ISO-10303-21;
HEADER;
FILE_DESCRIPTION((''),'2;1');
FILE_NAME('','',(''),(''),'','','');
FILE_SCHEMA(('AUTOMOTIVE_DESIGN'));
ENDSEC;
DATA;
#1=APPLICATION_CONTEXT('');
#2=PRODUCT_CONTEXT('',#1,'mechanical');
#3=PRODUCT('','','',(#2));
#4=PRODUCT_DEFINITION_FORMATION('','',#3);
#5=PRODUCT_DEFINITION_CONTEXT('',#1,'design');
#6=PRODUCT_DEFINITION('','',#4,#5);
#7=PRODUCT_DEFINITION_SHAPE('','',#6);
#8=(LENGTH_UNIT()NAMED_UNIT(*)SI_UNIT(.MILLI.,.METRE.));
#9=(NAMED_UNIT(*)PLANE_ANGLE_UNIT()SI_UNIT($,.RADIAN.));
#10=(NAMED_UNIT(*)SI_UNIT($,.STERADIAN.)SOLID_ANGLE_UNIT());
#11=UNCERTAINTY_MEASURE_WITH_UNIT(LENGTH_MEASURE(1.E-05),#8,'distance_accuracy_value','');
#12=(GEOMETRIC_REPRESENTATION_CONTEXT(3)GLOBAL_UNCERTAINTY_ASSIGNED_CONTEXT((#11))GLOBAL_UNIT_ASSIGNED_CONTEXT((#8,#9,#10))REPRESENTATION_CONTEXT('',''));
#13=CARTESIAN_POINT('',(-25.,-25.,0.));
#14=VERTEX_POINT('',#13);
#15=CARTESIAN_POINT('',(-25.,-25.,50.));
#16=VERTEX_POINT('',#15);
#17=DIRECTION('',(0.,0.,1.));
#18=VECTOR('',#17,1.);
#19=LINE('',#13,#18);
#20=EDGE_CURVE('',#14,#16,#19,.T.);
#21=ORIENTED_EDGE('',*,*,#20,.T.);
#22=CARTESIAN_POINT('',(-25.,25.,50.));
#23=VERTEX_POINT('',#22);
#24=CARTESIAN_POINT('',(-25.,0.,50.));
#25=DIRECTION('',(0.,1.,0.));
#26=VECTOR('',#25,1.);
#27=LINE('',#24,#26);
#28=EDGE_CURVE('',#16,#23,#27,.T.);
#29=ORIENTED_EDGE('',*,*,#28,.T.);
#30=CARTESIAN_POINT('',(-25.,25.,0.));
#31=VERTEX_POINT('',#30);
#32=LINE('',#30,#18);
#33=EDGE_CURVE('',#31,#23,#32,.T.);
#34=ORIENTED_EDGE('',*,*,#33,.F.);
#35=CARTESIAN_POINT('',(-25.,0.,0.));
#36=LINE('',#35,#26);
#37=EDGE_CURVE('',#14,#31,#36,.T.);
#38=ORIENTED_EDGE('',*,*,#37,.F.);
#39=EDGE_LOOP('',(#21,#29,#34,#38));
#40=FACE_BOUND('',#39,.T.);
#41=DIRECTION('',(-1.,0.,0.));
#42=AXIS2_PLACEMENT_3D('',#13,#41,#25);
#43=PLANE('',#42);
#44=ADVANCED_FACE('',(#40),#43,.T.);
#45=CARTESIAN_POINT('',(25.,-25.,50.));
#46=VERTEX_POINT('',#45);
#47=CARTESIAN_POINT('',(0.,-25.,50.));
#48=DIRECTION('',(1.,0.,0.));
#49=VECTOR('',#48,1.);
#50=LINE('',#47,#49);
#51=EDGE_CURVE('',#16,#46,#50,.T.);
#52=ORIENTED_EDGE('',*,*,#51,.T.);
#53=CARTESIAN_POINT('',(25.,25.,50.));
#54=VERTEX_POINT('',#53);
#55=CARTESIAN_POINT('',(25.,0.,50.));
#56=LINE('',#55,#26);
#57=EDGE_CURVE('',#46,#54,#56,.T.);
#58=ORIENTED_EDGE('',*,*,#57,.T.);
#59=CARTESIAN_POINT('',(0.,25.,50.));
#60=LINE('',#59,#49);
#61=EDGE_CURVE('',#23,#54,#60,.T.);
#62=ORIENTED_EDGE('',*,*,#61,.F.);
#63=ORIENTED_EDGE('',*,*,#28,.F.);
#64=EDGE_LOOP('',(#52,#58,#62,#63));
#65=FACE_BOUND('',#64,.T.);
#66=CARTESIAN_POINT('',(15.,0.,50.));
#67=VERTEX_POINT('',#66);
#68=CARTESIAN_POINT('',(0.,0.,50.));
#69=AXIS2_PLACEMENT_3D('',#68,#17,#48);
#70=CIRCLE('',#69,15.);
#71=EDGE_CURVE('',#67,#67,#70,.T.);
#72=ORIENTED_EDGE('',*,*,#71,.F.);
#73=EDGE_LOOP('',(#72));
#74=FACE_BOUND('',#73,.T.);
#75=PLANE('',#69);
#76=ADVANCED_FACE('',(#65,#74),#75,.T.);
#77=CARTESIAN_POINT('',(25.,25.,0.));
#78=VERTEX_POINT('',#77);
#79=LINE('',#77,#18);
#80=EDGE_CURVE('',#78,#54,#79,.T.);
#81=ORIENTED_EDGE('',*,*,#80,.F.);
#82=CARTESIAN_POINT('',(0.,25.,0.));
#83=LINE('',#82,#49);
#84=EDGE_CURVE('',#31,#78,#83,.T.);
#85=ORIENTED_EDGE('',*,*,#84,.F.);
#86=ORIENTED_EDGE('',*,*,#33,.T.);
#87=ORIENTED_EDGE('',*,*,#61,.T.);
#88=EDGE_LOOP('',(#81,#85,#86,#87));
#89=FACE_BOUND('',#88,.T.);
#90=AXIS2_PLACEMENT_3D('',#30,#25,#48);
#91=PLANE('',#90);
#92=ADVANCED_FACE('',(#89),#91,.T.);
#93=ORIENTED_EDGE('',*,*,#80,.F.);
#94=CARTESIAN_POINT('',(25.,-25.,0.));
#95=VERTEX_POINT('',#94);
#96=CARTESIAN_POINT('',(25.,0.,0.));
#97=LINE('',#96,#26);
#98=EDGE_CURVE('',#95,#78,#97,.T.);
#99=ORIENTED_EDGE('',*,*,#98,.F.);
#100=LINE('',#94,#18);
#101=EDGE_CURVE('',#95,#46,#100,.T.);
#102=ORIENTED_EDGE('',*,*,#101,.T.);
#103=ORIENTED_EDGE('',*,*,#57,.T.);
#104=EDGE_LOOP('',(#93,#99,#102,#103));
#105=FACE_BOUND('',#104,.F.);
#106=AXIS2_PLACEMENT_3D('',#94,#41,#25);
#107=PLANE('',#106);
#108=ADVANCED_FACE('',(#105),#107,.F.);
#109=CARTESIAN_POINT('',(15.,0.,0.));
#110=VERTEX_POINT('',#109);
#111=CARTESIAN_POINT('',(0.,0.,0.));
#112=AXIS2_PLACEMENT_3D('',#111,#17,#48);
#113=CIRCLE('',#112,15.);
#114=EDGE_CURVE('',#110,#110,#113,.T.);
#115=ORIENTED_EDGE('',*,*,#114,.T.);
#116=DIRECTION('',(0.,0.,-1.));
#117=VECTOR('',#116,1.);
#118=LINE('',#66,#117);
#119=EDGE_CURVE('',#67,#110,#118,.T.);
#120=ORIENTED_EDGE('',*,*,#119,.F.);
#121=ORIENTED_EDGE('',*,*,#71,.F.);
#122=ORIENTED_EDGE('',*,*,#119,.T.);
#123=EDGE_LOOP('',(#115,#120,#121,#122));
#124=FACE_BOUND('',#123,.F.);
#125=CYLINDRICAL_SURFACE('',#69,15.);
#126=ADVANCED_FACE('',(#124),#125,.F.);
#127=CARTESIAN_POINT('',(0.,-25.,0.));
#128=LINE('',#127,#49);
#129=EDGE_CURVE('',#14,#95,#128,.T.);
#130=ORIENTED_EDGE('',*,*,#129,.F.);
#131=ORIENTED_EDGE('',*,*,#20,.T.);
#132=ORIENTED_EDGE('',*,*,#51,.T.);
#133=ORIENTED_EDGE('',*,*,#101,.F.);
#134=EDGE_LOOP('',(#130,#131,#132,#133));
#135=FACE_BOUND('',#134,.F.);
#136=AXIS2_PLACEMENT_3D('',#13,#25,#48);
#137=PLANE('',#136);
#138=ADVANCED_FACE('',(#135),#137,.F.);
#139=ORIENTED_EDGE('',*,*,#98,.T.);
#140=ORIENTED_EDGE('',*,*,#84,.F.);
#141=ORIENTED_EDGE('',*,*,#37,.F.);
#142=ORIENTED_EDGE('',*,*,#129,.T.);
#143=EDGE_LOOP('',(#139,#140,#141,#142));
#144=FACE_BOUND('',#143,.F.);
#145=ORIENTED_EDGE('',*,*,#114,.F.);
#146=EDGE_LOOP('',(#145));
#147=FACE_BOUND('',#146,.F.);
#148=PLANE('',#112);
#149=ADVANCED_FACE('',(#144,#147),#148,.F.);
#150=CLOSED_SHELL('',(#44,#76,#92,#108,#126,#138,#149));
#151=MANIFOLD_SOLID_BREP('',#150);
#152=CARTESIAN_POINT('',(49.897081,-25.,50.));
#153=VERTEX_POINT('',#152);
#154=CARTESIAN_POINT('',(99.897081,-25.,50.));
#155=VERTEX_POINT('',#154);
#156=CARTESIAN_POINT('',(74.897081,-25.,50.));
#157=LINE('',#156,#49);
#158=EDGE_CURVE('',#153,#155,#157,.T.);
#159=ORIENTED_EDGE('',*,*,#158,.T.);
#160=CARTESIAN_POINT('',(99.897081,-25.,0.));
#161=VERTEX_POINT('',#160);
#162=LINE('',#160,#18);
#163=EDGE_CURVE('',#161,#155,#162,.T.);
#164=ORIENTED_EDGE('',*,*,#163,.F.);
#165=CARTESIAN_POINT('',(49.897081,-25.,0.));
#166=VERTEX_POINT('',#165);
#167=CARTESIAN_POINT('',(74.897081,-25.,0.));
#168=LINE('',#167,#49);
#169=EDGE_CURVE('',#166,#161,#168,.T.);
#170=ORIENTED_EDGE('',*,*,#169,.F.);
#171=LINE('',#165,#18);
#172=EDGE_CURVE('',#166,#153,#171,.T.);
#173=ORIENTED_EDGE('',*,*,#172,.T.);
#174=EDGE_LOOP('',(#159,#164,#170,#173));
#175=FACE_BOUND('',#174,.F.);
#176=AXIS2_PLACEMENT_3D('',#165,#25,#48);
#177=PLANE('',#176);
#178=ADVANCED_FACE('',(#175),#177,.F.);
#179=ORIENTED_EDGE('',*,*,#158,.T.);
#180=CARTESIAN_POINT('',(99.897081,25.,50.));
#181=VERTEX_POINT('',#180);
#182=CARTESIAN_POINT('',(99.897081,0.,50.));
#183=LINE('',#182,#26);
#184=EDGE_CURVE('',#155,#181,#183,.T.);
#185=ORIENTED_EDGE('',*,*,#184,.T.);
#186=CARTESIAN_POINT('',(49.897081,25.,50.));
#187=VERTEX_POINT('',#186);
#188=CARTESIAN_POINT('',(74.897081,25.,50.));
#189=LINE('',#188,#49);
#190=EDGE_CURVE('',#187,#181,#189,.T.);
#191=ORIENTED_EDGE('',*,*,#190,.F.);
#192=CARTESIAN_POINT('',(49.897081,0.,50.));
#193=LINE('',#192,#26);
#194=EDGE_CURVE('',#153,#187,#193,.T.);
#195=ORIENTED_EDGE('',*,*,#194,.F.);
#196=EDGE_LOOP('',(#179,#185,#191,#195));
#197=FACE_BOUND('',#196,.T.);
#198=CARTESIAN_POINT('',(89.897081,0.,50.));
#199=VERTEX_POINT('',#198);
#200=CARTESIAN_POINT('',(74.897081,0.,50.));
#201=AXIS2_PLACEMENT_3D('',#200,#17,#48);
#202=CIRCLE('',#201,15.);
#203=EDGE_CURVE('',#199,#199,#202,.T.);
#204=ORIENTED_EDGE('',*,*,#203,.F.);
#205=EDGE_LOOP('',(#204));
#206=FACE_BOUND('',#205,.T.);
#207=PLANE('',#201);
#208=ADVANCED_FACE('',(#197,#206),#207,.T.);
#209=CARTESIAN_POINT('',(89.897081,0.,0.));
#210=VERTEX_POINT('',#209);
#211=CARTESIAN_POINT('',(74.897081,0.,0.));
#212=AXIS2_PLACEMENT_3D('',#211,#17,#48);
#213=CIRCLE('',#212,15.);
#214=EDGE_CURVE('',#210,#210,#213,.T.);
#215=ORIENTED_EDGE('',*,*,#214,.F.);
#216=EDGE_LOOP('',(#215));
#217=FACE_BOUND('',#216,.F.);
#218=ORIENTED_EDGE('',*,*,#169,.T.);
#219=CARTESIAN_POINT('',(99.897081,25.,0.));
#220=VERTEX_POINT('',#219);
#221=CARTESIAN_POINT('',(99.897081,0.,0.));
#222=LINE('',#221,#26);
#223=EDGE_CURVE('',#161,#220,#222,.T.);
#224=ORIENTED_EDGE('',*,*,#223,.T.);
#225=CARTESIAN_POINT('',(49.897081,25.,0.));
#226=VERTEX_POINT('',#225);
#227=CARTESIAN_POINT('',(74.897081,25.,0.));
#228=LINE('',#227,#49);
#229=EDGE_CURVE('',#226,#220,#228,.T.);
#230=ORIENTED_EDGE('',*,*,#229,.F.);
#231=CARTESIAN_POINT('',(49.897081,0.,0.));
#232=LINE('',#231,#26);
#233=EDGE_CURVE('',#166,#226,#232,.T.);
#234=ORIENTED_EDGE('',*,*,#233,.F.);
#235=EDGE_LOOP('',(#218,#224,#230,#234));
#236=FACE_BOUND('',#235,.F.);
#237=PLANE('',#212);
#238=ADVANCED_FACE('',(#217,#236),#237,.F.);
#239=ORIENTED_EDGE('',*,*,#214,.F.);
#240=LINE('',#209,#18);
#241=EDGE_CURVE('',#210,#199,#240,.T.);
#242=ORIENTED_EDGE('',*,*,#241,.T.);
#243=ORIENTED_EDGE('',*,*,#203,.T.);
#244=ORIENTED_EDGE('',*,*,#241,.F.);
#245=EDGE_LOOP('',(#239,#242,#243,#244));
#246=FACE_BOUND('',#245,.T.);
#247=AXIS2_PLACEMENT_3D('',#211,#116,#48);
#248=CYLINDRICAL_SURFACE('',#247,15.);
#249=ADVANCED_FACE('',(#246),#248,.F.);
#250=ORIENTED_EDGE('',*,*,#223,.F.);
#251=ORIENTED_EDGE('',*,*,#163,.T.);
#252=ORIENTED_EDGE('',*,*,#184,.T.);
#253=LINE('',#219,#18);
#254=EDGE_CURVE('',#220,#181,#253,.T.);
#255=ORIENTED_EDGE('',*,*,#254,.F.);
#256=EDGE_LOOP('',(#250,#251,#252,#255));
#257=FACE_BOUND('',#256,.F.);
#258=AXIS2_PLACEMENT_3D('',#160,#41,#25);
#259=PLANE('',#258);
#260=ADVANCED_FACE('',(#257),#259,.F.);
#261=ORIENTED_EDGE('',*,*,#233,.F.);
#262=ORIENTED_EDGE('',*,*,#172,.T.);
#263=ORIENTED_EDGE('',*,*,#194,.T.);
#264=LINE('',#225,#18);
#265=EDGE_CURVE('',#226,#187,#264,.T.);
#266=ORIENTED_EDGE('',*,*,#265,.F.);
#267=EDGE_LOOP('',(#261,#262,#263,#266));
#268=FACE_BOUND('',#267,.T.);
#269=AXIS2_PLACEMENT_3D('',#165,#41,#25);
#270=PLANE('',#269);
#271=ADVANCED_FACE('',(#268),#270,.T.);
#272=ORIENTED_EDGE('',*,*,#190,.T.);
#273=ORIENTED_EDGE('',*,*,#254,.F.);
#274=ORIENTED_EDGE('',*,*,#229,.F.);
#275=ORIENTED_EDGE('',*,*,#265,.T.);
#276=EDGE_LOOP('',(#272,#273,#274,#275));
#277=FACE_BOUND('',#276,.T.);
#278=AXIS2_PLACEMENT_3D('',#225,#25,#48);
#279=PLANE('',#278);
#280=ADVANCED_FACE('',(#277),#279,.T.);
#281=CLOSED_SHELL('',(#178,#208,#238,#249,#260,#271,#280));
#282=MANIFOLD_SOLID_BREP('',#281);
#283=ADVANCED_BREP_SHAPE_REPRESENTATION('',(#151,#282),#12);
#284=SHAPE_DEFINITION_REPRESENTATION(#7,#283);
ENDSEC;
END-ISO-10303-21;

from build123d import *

# Parameters (mm, degrees)
F0_W     = 50
F0_H     = 50
F1_DEPTH = 50
F2_R     = 15
F3_DEPTH = 50
F4_W     = 50
F4_H     = 50
F4_R     = 15
F5_DEPTH = 50
F6_DEPTH = 50


with BuildPart() as f1:
    # F0 (on Top) → F1 (new body)
    with BuildSketch(Plane.XY):
        Rectangle(F0_W, F0_H)
    extrude(amount=F1_DEPTH)

    # F2 (on face) → F3 (cut)
    with BuildSketch(Plane.XY.offset(50)):
        Circle(F2_R)
    extrude(amount=-F3_DEPTH, mode=Mode.SUBTRACT)


with BuildPart() as f5:
    # F4 (on Top) → F5 (new body)
    with BuildSketch(Plane.XY):
        with Locations((74.897081, 0)):
            Rectangle(F4_W, F4_H)
        with Locations((74.897081, 0)):
            Circle(F4_R, mode=Mode.SUBTRACT)
    extrude(amount=F5_DEPTH)

    # F4 (on Top) → F6 (join)
    with BuildSketch(Plane.XY):
        with Locations((74.897081, 0)):
            Rectangle(F4_W, F4_H)
        with Locations((74.897081, 0)):
            Circle(F4_R, mode=Mode.SUBTRACT)
    extrude(amount=F6_DEPTH)


solid = Compound([f1.part, f5.part])
